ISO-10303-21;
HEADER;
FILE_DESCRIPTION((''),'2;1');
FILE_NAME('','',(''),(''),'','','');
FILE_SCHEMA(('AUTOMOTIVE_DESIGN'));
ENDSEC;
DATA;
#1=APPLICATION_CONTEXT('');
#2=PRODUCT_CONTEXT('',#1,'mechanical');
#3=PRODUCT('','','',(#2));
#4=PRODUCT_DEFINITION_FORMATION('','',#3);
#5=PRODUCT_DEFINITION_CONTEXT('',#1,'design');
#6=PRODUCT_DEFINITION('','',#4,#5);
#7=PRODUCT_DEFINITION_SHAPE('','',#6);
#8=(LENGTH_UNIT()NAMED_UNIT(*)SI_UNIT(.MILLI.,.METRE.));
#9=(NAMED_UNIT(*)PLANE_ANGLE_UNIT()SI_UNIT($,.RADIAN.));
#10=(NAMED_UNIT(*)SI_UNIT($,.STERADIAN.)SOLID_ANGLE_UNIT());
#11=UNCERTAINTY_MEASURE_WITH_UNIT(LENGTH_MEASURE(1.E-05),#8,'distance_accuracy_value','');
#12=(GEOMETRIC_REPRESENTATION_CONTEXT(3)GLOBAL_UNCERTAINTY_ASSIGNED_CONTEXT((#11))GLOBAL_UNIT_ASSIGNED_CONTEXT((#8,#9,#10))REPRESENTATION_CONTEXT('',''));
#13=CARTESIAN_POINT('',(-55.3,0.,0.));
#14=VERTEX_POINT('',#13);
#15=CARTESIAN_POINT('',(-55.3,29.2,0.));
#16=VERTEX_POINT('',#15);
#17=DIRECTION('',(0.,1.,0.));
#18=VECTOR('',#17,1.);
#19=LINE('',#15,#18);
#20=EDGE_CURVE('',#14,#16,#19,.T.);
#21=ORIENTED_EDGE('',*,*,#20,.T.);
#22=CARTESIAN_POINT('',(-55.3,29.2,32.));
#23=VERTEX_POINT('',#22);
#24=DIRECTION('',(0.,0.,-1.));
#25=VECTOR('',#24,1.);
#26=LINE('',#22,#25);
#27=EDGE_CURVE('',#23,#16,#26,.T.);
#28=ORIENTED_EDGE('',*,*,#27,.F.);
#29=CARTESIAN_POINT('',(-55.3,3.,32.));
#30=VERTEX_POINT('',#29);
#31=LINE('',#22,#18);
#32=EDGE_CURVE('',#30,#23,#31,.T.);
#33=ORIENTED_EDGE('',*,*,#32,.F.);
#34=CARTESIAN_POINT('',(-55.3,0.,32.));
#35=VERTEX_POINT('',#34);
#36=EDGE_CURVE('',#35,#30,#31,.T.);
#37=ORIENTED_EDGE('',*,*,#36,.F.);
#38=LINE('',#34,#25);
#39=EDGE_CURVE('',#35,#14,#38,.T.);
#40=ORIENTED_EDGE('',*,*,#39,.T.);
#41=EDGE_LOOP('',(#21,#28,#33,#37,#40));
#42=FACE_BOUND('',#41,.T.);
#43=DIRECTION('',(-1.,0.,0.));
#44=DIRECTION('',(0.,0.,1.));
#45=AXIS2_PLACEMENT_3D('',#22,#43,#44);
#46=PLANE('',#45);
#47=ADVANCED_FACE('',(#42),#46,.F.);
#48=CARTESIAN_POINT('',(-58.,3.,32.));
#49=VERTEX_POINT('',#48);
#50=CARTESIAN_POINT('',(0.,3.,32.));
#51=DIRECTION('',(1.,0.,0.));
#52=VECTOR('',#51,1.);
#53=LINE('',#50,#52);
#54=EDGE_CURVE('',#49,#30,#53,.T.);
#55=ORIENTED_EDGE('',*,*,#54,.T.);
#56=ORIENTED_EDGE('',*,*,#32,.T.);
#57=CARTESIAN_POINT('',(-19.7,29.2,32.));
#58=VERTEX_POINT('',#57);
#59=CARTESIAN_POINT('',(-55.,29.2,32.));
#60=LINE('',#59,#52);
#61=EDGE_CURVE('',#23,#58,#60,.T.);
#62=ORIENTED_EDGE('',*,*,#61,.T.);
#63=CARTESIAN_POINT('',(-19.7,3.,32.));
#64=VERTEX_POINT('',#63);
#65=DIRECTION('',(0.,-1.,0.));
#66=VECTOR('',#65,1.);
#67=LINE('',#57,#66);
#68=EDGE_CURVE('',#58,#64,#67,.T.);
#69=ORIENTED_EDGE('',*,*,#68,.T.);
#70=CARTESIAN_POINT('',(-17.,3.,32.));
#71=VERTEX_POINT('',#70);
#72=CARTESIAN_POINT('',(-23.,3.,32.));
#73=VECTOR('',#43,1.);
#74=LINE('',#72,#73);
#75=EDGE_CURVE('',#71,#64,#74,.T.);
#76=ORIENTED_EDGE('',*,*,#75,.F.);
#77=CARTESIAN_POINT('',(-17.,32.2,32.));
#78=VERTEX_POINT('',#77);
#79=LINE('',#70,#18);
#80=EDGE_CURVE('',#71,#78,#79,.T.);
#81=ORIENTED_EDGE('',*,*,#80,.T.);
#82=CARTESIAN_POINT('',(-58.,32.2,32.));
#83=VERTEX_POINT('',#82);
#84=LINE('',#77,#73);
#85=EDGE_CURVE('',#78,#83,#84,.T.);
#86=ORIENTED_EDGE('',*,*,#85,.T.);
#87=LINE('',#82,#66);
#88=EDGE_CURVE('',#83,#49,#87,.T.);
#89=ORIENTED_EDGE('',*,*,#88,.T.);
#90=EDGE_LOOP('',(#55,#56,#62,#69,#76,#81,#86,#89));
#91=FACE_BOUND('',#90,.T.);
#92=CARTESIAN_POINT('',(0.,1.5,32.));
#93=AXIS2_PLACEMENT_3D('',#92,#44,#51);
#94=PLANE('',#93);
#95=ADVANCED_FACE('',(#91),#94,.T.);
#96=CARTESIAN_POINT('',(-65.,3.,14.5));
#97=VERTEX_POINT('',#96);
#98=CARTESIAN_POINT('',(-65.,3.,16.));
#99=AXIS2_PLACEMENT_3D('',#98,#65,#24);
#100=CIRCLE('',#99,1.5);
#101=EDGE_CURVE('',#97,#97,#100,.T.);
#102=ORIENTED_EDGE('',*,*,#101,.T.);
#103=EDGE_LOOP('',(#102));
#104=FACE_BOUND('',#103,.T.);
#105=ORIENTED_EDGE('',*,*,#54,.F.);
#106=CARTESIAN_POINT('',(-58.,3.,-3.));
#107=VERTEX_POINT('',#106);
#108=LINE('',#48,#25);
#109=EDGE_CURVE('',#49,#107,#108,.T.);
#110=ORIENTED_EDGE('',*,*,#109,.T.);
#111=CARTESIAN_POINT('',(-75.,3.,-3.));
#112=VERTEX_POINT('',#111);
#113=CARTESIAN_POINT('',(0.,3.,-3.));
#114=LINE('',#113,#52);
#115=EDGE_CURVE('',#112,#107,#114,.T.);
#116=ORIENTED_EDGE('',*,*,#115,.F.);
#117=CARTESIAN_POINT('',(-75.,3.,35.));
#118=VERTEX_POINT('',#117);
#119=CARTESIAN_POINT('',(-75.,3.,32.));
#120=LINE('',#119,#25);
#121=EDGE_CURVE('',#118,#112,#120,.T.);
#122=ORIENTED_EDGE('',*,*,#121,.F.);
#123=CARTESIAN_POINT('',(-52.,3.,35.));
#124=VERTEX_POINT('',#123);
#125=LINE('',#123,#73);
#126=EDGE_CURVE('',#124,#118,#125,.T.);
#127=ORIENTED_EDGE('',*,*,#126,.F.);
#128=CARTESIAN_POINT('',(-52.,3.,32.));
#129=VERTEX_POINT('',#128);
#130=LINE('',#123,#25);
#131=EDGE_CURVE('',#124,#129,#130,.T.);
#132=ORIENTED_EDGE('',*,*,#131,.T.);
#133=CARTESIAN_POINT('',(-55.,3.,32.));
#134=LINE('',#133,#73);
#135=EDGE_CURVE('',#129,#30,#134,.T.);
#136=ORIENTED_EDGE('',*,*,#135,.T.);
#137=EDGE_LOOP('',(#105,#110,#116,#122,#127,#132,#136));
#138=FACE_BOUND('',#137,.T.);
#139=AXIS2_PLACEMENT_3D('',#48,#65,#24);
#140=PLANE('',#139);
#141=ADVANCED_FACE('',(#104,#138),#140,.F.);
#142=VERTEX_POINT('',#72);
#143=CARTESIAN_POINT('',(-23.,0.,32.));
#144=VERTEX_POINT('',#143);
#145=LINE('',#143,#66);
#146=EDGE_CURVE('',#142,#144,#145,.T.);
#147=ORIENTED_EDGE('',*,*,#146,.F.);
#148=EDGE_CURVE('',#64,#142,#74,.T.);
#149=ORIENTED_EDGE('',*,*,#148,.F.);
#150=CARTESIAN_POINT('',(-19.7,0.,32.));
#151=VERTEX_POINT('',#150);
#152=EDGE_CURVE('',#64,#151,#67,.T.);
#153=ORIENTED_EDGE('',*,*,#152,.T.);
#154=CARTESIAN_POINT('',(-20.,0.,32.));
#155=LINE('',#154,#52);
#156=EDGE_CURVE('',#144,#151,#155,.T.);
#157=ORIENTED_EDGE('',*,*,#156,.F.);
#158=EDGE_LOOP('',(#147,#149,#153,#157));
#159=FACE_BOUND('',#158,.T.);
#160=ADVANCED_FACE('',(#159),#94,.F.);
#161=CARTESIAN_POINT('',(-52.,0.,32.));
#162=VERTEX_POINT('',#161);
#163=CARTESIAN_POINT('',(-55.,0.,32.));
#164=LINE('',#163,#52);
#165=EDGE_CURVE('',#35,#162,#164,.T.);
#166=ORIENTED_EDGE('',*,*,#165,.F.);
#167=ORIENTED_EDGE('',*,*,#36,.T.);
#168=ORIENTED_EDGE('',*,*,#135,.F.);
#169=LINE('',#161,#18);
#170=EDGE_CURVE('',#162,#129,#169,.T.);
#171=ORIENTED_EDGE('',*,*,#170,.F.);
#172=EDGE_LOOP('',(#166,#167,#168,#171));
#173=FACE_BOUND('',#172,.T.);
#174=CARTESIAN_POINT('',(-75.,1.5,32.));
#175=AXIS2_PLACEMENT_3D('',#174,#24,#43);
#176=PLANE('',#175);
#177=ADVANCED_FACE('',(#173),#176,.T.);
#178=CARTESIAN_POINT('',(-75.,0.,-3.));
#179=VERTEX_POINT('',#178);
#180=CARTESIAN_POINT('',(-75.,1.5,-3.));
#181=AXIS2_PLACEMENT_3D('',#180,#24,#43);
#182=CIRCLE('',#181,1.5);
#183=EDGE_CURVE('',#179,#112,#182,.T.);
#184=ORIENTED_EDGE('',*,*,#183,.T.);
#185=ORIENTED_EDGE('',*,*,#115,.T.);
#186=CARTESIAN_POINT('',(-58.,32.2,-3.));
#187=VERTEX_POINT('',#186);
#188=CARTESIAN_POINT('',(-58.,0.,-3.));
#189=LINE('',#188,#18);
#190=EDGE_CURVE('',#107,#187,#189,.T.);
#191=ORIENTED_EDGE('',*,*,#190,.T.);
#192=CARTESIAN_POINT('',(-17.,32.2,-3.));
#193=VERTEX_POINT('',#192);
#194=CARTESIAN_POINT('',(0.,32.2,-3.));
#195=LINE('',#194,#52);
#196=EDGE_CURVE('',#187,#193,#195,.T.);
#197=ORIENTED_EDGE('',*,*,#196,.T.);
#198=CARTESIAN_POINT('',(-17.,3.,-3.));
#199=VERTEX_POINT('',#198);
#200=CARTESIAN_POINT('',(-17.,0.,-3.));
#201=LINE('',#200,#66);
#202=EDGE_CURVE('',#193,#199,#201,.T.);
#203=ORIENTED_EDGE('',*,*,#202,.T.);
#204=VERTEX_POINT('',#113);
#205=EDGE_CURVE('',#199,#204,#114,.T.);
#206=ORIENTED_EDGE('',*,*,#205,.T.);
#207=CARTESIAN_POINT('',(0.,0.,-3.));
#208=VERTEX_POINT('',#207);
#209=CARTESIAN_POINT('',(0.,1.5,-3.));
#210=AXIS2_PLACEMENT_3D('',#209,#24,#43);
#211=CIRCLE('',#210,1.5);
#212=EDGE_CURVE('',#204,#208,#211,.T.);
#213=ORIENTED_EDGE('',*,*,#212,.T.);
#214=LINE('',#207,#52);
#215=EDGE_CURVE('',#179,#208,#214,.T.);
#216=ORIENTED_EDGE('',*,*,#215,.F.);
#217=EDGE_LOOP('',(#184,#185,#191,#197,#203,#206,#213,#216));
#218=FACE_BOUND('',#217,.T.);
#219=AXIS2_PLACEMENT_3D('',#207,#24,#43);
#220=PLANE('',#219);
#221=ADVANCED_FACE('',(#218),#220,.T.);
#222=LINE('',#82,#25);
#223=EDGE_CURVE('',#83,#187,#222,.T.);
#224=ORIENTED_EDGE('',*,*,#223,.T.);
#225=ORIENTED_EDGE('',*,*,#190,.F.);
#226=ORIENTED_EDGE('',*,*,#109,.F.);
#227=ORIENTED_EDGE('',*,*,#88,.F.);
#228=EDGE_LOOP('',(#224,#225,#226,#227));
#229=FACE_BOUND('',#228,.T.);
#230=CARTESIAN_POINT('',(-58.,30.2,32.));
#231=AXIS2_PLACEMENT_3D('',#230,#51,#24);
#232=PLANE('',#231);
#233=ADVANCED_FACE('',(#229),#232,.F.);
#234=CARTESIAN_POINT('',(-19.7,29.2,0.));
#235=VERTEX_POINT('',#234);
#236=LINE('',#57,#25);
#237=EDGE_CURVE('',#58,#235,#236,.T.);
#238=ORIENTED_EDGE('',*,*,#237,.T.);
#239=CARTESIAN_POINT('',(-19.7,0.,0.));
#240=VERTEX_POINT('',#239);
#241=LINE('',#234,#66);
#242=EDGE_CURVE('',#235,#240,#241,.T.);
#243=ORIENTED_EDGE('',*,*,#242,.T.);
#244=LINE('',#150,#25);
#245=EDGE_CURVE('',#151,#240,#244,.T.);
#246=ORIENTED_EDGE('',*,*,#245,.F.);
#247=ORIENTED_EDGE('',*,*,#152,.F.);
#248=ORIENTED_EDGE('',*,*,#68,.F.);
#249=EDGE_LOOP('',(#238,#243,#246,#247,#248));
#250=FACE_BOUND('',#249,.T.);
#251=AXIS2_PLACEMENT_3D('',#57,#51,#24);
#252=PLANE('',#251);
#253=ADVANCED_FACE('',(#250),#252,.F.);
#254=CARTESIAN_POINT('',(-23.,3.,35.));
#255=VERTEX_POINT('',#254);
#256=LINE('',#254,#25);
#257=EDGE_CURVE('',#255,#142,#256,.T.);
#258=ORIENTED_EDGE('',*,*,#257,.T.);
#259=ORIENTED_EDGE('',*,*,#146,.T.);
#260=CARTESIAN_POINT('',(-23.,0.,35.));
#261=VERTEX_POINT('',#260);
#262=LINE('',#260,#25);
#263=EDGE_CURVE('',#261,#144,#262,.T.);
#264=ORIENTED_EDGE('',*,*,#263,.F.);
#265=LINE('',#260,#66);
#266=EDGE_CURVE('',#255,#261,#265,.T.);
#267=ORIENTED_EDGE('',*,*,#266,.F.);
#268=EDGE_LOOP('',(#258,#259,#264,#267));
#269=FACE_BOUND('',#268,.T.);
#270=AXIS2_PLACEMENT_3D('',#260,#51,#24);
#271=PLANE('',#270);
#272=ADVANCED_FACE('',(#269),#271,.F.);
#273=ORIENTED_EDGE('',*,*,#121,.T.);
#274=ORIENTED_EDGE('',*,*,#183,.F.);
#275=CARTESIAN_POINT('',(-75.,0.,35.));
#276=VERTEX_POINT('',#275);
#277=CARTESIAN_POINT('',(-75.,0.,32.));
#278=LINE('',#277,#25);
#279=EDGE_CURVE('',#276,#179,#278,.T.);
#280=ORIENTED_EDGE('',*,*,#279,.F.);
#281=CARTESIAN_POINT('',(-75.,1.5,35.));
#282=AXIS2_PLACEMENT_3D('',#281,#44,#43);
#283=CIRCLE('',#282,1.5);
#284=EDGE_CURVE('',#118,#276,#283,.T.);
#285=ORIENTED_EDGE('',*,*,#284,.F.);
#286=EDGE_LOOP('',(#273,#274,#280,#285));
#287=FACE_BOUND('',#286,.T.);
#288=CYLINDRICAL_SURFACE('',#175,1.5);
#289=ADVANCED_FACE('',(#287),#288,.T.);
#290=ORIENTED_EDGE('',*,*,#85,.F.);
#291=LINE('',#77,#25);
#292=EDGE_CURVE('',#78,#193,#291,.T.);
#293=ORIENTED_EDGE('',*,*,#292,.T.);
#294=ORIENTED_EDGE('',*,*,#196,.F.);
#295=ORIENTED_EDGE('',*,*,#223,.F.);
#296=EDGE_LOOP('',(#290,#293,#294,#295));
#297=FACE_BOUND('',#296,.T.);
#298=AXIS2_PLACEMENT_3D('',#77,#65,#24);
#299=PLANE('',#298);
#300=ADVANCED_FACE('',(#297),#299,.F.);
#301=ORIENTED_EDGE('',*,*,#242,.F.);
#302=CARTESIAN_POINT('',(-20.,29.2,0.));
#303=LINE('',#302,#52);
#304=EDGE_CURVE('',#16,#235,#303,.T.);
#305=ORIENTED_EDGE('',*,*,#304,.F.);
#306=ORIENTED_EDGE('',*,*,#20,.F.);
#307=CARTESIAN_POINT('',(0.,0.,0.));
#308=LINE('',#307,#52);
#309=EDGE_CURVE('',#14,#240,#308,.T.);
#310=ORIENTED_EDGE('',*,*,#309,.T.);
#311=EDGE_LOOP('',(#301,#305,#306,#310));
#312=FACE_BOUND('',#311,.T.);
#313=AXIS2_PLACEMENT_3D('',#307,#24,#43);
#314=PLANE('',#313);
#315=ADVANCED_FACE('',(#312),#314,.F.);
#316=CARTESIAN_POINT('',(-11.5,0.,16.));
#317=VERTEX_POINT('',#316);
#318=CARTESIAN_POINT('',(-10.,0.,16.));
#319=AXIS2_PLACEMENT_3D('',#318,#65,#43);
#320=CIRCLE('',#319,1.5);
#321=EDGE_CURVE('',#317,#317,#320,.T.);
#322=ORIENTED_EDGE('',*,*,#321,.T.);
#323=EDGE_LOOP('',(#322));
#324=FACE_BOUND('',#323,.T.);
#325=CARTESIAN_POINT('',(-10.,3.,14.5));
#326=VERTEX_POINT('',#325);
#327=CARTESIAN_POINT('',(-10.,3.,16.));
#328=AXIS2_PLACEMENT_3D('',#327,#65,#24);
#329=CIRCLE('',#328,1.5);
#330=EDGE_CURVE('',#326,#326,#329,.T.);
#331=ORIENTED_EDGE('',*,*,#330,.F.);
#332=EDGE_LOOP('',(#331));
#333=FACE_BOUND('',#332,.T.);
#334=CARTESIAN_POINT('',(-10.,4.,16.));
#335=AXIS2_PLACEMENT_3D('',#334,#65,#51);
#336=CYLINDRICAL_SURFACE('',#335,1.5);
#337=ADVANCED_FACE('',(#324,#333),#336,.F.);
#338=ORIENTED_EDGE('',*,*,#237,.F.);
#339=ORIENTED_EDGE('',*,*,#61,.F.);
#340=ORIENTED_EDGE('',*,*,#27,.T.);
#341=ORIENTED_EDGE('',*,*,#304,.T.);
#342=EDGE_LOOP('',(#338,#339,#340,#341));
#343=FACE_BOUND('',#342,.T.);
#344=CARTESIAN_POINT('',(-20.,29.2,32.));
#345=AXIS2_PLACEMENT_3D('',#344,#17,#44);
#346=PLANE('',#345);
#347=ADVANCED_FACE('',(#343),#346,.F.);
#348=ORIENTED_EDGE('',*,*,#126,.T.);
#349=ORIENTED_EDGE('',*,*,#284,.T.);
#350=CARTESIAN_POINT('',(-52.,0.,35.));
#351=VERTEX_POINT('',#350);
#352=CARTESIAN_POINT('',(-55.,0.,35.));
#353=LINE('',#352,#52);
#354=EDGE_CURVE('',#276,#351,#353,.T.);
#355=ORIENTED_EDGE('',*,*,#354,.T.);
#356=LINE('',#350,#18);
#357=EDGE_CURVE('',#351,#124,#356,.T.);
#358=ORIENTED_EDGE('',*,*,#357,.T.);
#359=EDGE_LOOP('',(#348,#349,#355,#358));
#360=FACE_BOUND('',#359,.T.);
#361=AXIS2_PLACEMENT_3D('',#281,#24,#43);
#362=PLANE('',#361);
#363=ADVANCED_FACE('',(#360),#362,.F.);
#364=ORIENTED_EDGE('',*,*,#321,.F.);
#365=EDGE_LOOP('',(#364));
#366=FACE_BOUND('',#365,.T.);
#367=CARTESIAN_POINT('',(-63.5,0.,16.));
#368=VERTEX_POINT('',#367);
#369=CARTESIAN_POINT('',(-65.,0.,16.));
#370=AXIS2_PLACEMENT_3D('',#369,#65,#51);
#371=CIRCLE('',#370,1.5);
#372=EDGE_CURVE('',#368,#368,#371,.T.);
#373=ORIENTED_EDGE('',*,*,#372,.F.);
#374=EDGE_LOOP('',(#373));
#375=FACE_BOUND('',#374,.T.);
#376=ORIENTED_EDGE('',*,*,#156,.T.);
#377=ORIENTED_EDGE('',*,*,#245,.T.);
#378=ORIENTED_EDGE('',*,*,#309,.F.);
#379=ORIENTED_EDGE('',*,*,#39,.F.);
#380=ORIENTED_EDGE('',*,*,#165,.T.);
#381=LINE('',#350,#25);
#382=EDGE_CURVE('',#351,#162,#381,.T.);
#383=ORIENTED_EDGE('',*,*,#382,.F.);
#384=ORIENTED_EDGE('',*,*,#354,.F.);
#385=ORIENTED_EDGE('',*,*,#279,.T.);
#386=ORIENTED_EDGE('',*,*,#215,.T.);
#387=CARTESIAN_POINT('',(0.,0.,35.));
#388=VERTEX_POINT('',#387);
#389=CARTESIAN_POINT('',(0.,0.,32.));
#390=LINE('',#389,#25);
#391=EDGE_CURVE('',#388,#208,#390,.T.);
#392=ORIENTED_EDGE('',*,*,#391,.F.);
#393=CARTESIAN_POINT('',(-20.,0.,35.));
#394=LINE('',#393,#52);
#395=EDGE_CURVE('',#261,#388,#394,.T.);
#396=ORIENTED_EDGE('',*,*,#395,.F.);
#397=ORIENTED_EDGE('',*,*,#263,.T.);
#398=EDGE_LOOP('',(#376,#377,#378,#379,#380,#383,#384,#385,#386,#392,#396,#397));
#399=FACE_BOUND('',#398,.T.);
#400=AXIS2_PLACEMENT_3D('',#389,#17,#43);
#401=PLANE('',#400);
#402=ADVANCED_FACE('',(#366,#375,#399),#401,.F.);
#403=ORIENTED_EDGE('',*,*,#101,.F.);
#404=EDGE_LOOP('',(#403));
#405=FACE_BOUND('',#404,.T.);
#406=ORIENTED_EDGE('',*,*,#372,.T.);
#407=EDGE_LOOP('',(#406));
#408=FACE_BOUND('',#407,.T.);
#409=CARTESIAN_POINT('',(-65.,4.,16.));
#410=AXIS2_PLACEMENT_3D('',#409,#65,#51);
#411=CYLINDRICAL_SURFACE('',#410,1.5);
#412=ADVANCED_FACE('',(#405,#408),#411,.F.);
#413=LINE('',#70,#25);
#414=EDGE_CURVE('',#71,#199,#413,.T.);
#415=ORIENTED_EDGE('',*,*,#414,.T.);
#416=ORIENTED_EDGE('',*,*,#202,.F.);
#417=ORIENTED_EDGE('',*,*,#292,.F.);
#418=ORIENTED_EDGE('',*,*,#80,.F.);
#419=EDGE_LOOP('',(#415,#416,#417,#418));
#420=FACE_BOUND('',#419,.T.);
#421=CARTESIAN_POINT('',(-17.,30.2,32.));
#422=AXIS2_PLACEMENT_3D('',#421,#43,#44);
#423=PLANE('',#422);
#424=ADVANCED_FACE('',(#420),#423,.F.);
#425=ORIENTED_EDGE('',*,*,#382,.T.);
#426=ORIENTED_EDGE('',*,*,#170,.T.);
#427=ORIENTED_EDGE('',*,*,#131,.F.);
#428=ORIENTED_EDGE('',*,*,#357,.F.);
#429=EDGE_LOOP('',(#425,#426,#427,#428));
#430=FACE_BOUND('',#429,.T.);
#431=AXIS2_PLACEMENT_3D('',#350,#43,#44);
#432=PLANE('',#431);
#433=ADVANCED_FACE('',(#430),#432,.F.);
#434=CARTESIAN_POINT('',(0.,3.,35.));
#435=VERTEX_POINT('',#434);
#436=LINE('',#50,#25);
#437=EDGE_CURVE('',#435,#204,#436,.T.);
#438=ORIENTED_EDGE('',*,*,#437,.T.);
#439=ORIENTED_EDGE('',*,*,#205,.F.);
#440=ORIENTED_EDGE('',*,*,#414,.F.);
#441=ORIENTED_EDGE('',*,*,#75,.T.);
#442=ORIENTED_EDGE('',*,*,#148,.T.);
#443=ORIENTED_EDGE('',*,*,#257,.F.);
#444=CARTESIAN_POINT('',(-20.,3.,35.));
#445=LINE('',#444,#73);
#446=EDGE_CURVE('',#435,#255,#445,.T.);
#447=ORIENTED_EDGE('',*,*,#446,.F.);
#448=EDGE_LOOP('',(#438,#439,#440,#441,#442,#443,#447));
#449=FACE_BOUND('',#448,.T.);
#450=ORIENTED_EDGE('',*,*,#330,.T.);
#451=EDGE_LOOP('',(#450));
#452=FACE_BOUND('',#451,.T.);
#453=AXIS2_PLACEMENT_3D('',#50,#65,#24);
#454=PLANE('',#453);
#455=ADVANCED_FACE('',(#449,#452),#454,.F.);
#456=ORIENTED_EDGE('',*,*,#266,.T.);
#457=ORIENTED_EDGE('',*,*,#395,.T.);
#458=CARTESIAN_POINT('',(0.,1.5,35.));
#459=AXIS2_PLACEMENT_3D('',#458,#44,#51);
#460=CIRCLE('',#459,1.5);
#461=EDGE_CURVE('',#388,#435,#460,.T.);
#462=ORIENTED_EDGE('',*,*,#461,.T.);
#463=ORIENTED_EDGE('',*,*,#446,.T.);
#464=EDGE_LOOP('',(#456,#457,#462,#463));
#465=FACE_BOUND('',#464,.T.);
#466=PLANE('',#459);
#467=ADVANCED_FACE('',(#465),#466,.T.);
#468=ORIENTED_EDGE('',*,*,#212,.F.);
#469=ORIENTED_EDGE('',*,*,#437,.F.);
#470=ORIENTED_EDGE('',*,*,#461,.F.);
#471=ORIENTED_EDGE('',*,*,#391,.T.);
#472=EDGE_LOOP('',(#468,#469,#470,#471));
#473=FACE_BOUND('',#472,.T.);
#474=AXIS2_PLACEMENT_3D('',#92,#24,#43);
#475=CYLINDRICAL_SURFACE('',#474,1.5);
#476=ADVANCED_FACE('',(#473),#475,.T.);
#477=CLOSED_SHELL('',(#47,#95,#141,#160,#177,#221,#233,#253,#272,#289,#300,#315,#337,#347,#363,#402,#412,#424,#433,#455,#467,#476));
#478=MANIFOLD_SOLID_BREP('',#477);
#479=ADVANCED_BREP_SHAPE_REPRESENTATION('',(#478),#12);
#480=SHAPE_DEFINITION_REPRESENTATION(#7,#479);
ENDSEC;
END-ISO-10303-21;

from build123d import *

# Parameters (mm, degrees)
BOSS_EXTRUDE1_DEPTH = 32
SKETCH2_W           = 35.6
SKETCH2_H           = 29.2
BOSS_EXTRUDE2_DEPTH = 3
BOSS_EXTRUDE3_DEPTH = 3
SKETCH4_R           = 1.5
CUT_EXTRUDE1_DEPTH  = 4


with BuildPart() as part:
    # Sketch1 → Boss-Extrude1 (new body)
    with BuildSketch(Plane.XY):
        with BuildLine():
            Line((0, 0), (-19.7, 0))
            Line((-19.7, 0), (-19.7, 29.2))
            Line((-19.7, 29.2), (-20, 29.2))
            Line((-20, 29.2), (-55, 29.2))
            Line((-55, 29.2), (-55.3, 29.2))
            Line((-55.3, 29.2), (-55.3, 0))
            Line((-55.3, 0), (-75, 0))
            ThreePointArc((-75, 0), (-76.5, 1.5), (-75, 3))
            Line((-75, 3), (-58, 3))
            Line((-58, 3), (-58, 30.2))
            Line((-58, 30.2), (-58, 32.2))
            Line((-58, 32.2), (-17, 32.2))
            Line((-17, 32.2), (-17, 30.2))
            Line((-17, 30.2), (-17, 3))
            Line((-17, 3), (0, 3))
            ThreePointArc((0, 3), (1.5, 1.5), (0, 0))
        make_face()
    extrude(amount=BOSS_EXTRUDE1_DEPTH)

    # Sketch2 → Boss-Extrude2 (add)
    with BuildSketch(Plane(origin=(0, 0, 0), x_dir=(-1, 0, 0), z_dir=(0, 0, -1))):
        with Locations((37.5, 14.6)):
            Rectangle(SKETCH2_W, SKETCH2_H)
        with BuildLine():
            Line((17, 3), (0, 3))
            ThreePointArc((0, 3), (-1.5, 1.5), (0, 0))
            Line((0, 0), (19.7, 0))
            Line((19.7, 0), (19.7, 29.2))
            Line((19.7, 29.2), (55.3, 29.2))
            Line((55.3, 29.2), (55.3, 0))
            Line((55.3, 0), (75, 0))
            ThreePointArc((75, 0), (76.5, 1.5), (75, 3))
            Line((75, 3), (58, 3))
            Line((58, 3), (58, 32.2))
            Line((58, 32.2), (17, 32.2))
            Line((17, 32.2), (17, 3))
        make_face()
    extrude(amount=BOSS_EXTRUDE2_DEPTH)

    # Sketch3 → Boss-Extrude3 (add)
    with BuildSketch(Plane.XY.offset(32)):
        with BuildLine():
            Line((-20, 0), (-23, 0))
            Line((-23, 0), (-23, 3))
            Line((-23, 3), (-20, 3))
            Line((-20, 3), (0, 3))
            ThreePointArc((0, 3), (1.5, 1.5), (0, 0))
            Line((0, 0), (-20, 0))
        make_face()
        with BuildLine():
            Line((-55, 0), (-75, 0))
            ThreePointArc((-75, 0), (-76.5, 1.5), (-75, 3))
            Line((-75, 3), (-55, 3))
            Line((-55, 3), (-52, 3))
            Line((-52, 3), (-52, 0))
            Line((-52, 0), (-55, 0))
        make_face()
    extrude(amount=BOSS_EXTRUDE3_DEPTH)

    # Sketch4 → Cut-Extrude1 (cut)
    with BuildSketch(Plane.XZ):
        with Locations((-65, 16)):
            Circle(SKETCH4_R)
        with Locations((-10, 16)):
            Circle(SKETCH4_R)
    extrude(amount=-CUT_EXTRUDE1_DEPTH, mode=Mode.SUBTRACT)


solid = part.part
